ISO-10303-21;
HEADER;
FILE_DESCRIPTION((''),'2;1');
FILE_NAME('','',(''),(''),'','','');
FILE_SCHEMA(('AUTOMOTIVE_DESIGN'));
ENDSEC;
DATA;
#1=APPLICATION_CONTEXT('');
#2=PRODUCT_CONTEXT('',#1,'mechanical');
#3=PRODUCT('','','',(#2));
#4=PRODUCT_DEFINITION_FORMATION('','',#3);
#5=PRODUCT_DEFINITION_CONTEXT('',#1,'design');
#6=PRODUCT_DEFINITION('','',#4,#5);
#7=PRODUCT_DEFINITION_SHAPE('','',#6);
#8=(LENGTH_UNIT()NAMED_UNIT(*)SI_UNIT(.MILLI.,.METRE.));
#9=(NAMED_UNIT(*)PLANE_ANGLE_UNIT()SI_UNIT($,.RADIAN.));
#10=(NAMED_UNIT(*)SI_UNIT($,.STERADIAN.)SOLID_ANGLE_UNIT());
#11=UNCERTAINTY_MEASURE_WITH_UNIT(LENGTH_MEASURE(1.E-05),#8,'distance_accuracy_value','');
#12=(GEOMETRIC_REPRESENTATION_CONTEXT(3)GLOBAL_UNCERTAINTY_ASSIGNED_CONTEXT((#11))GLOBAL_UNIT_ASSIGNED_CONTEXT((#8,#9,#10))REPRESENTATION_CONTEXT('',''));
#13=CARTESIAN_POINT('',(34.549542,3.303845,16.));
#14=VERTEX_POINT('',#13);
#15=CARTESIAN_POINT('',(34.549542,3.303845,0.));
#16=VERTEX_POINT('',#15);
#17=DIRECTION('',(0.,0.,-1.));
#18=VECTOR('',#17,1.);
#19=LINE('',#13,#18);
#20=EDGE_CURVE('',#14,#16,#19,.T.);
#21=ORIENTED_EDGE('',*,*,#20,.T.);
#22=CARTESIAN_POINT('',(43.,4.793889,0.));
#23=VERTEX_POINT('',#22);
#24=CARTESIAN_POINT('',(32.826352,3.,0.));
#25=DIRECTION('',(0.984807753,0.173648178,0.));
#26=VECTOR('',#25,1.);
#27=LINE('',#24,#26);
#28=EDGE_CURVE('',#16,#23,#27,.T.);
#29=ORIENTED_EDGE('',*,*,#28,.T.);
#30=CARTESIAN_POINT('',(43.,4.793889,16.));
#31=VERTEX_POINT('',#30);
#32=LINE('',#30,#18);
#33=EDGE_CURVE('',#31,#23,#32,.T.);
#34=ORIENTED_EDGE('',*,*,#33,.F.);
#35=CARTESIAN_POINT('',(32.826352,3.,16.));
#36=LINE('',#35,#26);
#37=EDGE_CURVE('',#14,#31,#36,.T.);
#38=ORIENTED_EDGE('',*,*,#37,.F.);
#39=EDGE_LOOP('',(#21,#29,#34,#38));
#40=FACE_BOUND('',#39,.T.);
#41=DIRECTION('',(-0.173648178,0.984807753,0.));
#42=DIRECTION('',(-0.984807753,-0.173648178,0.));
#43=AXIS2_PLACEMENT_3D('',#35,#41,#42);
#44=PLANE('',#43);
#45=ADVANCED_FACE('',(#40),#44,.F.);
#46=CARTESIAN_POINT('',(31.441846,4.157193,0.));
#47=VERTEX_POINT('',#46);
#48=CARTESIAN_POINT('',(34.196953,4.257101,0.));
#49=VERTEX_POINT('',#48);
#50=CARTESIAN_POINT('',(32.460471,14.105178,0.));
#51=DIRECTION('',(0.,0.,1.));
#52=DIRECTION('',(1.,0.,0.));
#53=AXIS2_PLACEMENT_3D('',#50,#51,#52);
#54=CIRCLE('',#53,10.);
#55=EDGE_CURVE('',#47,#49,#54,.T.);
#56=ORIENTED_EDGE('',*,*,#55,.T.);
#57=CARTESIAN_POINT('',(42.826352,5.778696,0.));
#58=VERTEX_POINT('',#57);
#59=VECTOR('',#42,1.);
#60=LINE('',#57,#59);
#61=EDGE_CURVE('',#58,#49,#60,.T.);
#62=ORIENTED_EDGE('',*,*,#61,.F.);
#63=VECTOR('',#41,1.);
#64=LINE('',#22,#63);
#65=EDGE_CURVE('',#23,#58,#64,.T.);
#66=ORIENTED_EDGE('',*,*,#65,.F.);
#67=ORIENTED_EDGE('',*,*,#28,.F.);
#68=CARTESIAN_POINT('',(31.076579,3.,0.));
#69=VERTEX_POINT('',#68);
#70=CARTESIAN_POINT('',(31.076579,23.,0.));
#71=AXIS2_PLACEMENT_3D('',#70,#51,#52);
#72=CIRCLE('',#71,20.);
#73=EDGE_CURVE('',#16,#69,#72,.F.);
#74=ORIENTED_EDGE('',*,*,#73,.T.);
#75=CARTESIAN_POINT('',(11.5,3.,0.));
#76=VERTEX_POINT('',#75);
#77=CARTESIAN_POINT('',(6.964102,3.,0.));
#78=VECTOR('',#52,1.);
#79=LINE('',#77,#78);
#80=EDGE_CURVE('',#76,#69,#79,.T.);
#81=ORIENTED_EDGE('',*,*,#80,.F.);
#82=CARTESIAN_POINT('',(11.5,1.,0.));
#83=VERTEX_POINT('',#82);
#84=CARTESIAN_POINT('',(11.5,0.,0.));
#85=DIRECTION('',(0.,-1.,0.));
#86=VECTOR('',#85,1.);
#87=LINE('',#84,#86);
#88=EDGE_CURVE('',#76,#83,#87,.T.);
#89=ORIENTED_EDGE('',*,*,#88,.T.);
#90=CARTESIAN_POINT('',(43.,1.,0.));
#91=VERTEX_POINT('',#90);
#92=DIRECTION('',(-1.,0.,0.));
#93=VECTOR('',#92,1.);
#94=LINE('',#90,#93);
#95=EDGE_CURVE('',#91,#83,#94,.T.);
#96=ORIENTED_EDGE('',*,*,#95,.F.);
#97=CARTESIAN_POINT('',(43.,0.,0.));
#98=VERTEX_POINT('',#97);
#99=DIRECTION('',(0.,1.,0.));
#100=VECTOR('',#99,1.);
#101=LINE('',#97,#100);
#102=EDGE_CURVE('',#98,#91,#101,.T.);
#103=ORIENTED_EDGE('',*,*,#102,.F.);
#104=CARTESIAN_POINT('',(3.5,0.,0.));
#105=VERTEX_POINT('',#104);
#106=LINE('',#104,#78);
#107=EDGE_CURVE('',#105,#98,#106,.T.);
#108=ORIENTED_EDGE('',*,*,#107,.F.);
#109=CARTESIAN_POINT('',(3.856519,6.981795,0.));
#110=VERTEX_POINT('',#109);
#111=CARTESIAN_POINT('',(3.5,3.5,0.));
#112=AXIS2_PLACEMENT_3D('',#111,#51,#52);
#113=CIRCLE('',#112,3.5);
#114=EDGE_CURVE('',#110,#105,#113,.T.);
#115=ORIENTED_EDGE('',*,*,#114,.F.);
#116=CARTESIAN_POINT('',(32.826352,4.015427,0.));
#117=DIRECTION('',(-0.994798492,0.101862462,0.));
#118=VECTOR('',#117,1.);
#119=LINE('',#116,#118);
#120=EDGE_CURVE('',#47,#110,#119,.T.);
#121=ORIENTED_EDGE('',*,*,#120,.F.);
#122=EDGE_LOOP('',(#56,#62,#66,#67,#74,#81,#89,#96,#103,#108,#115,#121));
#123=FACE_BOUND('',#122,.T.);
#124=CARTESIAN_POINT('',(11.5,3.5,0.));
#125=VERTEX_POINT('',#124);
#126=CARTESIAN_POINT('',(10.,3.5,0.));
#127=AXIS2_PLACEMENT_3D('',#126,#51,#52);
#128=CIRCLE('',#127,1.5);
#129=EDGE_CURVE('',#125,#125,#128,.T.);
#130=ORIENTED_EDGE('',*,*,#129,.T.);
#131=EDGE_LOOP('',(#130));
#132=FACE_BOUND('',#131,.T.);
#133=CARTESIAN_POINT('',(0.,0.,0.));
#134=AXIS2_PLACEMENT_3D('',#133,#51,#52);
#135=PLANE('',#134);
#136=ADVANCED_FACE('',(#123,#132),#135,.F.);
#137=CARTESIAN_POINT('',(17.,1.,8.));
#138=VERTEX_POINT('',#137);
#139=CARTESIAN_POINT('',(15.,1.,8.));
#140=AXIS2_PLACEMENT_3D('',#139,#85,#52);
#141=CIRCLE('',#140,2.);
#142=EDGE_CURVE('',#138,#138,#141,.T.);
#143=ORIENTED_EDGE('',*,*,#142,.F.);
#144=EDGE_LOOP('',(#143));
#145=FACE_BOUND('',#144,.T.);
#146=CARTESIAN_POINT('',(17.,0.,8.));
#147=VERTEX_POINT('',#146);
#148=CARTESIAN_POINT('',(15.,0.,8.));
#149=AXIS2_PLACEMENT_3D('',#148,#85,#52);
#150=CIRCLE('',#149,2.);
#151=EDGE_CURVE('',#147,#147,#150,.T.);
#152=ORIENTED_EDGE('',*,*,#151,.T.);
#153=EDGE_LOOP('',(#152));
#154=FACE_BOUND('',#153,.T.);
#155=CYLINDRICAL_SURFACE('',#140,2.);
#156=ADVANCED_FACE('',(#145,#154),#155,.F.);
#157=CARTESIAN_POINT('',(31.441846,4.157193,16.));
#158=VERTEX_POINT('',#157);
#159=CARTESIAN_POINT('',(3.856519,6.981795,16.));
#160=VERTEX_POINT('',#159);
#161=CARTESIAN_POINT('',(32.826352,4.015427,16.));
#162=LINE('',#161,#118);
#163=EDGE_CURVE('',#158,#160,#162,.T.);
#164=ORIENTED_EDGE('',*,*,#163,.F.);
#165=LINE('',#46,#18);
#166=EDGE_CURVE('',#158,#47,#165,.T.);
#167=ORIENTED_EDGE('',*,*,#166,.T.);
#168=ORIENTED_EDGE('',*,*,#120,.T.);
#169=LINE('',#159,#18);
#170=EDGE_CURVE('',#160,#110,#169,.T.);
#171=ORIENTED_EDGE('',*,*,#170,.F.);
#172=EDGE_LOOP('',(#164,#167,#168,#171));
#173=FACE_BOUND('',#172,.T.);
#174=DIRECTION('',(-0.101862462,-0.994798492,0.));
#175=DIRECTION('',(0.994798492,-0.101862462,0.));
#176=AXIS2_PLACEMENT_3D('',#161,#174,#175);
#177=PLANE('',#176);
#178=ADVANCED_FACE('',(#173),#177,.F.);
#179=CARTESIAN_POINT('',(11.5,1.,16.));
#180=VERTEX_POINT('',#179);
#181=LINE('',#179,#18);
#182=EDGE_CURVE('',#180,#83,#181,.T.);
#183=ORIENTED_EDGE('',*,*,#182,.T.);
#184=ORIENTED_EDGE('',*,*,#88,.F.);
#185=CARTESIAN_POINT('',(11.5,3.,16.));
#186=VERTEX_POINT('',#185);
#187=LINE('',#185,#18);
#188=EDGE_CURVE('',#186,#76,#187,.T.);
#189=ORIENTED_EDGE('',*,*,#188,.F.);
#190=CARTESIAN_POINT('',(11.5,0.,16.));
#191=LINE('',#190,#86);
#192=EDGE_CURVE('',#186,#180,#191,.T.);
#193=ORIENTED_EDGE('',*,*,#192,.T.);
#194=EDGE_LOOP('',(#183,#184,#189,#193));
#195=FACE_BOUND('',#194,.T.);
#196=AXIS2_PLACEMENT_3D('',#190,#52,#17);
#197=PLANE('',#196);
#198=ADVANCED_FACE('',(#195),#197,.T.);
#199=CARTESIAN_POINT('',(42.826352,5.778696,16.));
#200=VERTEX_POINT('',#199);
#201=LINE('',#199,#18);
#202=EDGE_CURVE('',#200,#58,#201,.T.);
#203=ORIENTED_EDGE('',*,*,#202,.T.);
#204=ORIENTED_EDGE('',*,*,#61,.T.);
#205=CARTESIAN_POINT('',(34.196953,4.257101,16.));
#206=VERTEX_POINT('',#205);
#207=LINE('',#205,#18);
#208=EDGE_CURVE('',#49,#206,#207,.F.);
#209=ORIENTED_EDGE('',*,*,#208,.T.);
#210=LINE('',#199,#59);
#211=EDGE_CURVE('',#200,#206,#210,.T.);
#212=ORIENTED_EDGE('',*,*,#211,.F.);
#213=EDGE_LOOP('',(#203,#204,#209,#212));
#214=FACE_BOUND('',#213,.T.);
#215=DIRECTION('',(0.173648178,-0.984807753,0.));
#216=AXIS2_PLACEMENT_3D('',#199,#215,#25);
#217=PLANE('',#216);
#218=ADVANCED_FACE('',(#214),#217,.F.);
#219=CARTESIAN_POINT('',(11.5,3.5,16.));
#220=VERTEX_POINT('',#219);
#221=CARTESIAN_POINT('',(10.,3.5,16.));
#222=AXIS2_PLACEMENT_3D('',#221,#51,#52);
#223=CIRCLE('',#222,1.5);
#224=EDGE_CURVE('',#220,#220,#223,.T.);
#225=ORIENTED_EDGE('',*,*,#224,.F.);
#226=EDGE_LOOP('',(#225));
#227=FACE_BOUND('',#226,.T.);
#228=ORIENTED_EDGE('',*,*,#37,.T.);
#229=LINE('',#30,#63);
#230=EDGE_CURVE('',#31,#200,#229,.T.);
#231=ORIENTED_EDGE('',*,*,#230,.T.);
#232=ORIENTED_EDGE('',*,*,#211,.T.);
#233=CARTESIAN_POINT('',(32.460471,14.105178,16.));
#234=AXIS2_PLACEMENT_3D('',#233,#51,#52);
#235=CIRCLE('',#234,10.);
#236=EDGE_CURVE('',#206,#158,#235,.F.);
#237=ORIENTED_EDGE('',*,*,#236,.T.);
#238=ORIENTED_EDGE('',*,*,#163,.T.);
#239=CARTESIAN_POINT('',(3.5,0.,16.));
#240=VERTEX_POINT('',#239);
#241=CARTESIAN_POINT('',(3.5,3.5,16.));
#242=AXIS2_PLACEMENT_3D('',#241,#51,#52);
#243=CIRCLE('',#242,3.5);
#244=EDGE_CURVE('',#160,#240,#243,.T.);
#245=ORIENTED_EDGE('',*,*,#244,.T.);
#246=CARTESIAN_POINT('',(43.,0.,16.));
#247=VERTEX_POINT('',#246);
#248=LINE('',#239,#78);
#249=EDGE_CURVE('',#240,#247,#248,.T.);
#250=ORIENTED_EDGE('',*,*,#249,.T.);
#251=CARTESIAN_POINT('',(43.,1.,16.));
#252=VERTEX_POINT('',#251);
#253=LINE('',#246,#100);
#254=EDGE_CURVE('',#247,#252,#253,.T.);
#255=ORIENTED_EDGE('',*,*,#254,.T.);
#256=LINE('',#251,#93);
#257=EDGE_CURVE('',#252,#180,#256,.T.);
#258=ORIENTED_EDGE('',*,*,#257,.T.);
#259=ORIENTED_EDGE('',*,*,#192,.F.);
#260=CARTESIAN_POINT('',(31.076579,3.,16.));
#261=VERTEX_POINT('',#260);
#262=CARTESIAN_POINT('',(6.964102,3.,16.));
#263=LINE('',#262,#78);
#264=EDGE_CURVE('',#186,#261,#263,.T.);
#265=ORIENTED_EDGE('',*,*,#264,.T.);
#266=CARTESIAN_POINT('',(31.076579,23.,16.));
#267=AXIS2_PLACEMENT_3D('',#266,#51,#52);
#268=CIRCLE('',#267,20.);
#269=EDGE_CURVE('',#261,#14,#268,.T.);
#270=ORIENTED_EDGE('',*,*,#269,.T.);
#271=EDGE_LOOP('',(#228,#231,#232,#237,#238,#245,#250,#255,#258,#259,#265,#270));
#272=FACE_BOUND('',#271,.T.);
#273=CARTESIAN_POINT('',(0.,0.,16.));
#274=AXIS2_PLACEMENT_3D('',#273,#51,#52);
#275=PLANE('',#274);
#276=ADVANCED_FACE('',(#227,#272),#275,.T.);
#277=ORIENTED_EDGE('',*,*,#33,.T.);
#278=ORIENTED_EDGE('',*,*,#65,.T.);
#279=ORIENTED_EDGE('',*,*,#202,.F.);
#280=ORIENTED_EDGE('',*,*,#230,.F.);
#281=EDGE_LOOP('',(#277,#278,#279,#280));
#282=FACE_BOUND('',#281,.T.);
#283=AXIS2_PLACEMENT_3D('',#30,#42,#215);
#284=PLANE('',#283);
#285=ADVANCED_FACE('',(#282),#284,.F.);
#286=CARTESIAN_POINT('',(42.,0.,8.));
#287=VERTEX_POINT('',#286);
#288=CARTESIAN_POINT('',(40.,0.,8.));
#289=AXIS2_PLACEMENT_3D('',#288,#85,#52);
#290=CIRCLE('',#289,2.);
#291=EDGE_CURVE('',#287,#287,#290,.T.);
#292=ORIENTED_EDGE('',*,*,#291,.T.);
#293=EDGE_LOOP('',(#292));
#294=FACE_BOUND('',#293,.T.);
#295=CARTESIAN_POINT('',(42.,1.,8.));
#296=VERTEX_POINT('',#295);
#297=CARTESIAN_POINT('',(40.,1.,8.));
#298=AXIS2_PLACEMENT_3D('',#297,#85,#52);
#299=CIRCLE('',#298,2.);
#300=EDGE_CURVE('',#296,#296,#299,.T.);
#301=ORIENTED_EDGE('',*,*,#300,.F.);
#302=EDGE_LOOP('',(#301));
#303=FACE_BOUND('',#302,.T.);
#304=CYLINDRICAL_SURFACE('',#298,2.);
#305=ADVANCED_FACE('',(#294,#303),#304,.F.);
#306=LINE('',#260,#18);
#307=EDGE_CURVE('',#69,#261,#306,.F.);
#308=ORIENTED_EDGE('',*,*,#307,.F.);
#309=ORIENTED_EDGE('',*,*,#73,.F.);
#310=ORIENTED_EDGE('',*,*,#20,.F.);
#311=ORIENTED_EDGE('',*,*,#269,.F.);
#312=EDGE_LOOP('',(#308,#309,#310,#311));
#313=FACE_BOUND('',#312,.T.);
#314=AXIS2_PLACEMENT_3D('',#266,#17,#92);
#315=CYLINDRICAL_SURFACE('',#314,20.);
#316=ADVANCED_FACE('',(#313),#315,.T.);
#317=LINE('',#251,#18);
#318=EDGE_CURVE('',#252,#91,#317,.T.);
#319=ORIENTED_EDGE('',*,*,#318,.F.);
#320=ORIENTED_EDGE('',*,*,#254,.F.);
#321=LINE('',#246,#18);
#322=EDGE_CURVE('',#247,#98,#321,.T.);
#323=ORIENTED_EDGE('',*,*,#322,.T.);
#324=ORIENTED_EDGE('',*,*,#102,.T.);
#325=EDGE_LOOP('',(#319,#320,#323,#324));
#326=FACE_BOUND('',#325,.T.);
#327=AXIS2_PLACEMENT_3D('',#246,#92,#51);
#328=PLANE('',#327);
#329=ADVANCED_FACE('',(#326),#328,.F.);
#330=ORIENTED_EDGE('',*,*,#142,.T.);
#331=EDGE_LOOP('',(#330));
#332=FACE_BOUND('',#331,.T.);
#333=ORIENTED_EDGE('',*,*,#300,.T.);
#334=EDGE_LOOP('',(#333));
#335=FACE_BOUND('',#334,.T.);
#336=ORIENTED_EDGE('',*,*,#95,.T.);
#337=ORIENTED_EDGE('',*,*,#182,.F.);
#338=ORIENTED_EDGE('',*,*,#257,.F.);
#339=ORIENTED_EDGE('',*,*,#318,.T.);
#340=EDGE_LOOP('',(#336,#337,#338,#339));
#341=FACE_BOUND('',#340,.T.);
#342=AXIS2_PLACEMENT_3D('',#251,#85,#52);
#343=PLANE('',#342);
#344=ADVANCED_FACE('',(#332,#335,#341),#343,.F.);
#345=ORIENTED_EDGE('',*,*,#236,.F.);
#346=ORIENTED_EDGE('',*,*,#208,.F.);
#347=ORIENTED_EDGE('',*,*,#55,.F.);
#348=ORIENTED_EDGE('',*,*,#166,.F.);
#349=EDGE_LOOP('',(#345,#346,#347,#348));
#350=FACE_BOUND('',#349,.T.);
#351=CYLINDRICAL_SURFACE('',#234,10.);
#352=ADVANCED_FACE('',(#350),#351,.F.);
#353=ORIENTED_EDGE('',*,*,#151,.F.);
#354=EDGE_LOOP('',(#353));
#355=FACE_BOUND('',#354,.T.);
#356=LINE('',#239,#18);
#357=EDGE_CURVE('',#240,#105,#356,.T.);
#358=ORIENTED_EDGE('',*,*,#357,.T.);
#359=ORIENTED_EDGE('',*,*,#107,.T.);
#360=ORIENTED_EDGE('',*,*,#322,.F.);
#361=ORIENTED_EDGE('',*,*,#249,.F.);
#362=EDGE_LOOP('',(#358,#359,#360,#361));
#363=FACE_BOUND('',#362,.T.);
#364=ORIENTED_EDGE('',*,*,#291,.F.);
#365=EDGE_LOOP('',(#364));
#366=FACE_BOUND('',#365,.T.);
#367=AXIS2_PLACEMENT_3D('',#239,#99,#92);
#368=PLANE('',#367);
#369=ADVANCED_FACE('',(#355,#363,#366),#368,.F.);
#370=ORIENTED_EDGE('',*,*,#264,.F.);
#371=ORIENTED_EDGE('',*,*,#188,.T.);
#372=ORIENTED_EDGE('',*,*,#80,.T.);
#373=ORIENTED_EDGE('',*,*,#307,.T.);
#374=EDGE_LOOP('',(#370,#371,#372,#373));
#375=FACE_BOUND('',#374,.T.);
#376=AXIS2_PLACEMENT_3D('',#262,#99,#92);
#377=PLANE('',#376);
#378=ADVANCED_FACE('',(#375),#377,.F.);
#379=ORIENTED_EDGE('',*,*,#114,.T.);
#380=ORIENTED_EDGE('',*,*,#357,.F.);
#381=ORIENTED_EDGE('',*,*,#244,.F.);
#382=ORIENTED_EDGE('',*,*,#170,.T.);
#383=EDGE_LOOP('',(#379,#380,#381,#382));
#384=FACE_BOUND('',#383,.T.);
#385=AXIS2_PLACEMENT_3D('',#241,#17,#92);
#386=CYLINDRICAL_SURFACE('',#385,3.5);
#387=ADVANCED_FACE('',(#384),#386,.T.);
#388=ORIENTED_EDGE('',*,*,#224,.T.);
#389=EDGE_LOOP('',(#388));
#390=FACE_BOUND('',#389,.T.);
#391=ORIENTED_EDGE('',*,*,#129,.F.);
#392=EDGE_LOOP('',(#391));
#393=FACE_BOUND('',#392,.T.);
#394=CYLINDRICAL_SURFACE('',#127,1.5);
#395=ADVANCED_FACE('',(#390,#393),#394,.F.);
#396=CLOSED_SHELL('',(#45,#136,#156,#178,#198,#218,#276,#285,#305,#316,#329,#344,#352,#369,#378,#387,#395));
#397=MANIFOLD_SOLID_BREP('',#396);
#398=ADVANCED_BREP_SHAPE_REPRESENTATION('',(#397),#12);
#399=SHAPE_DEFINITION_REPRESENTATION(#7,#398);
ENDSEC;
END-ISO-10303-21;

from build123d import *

# Parameters (mm, degrees)
ESTRUSIONE_ESTRUSIONE1_DEPTH = 16
RACCORDO1_R                  = 10
RACCORDO2_R                  = 20
SCHIZZO3_R                   = 1.5
TAGLIO_ESTRUSIONE1_DEPTH     = 16
SCHIZZO4_R                   = 2
TAGLIO_ESTRUSIONE2_DEPTH     = 1


with BuildPart() as part:
    # Schizzo1 → Estrusione-Estrusione1 (new body)
    with BuildSketch(Plane.XY):
        with BuildLine():
            ThreePointArc((3.856518615, 6.981794721), (0.004554283, 3.678491565), (3.5, 0))
            Line((3.5, 0), (43, 0))
            Line((43, 0), (43, 1))
            Line((43, 1), (11.5, 1))
            Line((11.5, 1), (11.5, 3))
            Line((11.5, 3), (32.826351822, 3))
            Line((32.826351822, 3), (43, 4.793888666))
            Line((43, 4.793888666), (42.826351822, 5.778696419))
            Line((42.826351822, 5.778696419), (32.826351822, 4.015426612))
            Line((32.826351822, 4.015426612), (3.856518615, 6.981794721))
        make_face()
    extrude(amount=ESTRUSIONE_ESTRUSIONE1_DEPTH)

    # Raccordo1
    raccordo1_edges = [part.edges().sort_by_distance(p)[0] for p in [
        (32.826351822, 4.015426612, 8),
    ]]
    fillet(raccordo1_edges, radius=RACCORDO1_R)

    # Raccordo2
    raccordo2_edges = [part.edges().sort_by_distance(p)[0] for p in [
        (32.826351822, 3, 8),
    ]]
    fillet(raccordo2_edges, radius=RACCORDO2_R)

    # Schizzo3 → Taglio-Estrusione1 (cut)
    with BuildSketch(Plane.XY.offset(16)):
        with Locations((10, 3.5)):
            Circle(SCHIZZO3_R)
    extrude(amount=-TAGLIO_ESTRUSIONE1_DEPTH, mode=Mode.SUBTRACT)

    # Schizzo4 → Taglio-Estrusione2 (cut)
    with BuildSketch(Plane.XZ):
        with Locations((40, 8)):
            Circle(SCHIZZO4_R)
        with Locations((15, 8)):
            Circle(SCHIZZO4_R)
    extrude(amount=-TAGLIO_ESTRUSIONE2_DEPTH, mode=Mode.SUBTRACT)


solid = part.part
